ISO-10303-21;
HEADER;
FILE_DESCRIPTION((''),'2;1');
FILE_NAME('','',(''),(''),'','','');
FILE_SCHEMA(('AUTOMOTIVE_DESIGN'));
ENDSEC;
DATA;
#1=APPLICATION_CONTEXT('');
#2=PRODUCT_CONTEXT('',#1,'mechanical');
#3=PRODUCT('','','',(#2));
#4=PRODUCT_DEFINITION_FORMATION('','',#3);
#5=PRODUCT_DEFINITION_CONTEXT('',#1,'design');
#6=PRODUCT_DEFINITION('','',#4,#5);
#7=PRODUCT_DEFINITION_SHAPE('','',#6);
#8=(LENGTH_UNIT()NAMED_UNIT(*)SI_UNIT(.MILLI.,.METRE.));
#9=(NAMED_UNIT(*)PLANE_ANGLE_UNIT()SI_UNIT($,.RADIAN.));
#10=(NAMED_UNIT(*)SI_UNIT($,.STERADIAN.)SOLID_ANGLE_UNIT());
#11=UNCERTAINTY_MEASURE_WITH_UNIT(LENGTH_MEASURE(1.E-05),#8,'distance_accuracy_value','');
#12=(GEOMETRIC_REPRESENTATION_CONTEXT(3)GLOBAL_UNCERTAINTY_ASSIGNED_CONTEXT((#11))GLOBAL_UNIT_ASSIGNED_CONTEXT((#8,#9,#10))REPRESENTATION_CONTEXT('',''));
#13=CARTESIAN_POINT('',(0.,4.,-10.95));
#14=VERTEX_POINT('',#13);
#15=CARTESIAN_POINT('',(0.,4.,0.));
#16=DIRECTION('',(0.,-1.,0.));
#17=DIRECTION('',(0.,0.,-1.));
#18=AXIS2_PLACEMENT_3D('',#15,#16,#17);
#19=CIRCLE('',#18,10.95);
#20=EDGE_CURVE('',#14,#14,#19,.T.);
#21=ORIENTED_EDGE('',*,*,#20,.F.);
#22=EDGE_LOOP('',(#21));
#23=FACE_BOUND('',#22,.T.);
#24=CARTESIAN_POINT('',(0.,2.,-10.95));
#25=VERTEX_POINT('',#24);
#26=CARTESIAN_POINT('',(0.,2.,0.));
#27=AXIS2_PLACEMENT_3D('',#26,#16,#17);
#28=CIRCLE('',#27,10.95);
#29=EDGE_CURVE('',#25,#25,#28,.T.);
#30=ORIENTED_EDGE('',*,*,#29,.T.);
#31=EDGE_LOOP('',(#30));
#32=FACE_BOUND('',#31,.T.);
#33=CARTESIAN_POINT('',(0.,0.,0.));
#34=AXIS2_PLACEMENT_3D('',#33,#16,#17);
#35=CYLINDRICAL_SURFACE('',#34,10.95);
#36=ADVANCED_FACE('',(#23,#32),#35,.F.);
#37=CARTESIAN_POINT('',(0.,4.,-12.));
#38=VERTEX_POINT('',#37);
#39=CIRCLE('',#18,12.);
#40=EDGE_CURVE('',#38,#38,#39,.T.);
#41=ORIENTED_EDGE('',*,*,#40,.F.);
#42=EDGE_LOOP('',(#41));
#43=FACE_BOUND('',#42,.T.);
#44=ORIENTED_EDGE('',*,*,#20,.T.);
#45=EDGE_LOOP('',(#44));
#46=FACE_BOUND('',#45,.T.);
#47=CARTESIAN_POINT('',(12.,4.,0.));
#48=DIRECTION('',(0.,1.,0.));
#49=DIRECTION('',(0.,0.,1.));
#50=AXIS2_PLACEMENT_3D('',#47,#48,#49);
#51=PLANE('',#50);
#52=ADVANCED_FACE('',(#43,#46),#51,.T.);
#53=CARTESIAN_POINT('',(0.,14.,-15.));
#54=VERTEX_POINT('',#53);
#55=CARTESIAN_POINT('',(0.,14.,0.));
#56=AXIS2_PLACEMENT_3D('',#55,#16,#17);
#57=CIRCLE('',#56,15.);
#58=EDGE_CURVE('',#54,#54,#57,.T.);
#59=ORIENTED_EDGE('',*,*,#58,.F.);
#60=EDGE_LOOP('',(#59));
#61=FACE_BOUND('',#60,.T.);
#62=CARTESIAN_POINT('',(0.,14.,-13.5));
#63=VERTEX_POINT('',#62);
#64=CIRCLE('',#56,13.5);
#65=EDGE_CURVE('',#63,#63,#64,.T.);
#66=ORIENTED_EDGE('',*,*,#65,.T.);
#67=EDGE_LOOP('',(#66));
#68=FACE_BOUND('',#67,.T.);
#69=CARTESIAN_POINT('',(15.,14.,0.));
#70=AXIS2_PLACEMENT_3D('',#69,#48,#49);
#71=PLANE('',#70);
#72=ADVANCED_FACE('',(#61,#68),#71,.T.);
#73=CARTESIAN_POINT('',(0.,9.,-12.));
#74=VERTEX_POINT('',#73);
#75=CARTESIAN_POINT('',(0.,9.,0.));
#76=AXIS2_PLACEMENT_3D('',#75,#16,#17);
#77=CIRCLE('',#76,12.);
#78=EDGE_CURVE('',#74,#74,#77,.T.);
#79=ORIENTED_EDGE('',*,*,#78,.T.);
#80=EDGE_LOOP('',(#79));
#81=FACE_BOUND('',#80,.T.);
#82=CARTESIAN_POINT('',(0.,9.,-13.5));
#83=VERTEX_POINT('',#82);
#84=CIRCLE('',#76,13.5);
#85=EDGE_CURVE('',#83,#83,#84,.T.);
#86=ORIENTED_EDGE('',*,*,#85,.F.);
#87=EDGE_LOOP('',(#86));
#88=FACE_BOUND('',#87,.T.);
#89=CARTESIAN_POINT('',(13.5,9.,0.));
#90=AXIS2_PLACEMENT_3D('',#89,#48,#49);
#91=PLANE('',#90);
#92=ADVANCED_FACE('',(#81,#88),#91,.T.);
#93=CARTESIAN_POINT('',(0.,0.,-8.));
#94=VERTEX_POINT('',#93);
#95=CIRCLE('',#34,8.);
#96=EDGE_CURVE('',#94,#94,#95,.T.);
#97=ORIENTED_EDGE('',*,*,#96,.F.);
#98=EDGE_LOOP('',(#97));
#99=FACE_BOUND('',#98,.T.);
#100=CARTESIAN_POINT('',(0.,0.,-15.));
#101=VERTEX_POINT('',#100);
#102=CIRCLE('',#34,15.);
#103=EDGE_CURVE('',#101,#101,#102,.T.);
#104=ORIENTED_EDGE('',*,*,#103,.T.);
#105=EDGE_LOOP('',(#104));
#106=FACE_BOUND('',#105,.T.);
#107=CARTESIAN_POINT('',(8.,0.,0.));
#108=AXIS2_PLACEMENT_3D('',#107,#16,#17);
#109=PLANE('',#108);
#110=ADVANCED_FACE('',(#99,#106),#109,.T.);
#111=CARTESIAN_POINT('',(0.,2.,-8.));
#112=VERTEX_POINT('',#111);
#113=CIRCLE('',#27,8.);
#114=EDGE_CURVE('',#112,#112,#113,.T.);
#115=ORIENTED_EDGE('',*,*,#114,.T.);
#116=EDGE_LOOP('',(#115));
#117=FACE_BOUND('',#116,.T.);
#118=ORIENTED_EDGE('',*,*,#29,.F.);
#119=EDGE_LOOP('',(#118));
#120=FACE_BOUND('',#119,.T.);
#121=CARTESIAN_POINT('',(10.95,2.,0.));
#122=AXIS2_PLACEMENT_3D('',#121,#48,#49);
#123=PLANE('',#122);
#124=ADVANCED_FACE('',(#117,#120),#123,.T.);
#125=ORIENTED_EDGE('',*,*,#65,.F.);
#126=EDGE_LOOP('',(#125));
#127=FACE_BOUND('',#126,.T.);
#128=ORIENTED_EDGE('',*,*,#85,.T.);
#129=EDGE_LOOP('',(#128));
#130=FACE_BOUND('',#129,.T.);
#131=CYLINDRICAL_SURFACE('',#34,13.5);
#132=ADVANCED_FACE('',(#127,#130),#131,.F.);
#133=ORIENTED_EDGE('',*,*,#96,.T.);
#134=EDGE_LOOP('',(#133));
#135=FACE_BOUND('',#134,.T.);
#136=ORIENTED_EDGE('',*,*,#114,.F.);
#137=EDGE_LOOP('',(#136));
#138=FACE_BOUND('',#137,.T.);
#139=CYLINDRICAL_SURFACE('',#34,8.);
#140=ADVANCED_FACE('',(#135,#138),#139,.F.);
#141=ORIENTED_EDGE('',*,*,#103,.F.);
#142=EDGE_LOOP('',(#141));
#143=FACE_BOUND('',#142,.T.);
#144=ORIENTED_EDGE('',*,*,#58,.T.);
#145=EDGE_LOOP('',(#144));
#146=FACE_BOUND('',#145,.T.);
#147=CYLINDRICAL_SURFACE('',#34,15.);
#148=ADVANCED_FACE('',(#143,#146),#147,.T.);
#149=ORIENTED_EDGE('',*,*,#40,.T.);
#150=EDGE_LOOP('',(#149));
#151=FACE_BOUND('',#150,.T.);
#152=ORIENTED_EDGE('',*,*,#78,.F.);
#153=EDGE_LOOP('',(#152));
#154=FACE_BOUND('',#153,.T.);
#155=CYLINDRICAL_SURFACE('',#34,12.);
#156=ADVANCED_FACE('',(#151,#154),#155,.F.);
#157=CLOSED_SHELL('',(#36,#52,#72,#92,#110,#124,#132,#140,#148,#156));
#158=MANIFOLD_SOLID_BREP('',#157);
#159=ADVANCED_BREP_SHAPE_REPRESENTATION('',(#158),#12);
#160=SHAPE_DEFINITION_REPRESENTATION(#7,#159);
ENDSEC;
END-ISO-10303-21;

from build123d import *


with BuildPart() as part:
    # 草图1 → 旋转1 (revolve)
    with BuildSketch(Plane.XY):
        Polygon((8, 0), (15, 0), (15, 14), (13.5, 14), (13.5, 9), (12, 9), (12, 4), (10.95, 4), (10.95, 2), (8, 2), align=None)
    revolve(axis=Axis((0, 0, 0), (0, 1, 0)))


solid = part.part
